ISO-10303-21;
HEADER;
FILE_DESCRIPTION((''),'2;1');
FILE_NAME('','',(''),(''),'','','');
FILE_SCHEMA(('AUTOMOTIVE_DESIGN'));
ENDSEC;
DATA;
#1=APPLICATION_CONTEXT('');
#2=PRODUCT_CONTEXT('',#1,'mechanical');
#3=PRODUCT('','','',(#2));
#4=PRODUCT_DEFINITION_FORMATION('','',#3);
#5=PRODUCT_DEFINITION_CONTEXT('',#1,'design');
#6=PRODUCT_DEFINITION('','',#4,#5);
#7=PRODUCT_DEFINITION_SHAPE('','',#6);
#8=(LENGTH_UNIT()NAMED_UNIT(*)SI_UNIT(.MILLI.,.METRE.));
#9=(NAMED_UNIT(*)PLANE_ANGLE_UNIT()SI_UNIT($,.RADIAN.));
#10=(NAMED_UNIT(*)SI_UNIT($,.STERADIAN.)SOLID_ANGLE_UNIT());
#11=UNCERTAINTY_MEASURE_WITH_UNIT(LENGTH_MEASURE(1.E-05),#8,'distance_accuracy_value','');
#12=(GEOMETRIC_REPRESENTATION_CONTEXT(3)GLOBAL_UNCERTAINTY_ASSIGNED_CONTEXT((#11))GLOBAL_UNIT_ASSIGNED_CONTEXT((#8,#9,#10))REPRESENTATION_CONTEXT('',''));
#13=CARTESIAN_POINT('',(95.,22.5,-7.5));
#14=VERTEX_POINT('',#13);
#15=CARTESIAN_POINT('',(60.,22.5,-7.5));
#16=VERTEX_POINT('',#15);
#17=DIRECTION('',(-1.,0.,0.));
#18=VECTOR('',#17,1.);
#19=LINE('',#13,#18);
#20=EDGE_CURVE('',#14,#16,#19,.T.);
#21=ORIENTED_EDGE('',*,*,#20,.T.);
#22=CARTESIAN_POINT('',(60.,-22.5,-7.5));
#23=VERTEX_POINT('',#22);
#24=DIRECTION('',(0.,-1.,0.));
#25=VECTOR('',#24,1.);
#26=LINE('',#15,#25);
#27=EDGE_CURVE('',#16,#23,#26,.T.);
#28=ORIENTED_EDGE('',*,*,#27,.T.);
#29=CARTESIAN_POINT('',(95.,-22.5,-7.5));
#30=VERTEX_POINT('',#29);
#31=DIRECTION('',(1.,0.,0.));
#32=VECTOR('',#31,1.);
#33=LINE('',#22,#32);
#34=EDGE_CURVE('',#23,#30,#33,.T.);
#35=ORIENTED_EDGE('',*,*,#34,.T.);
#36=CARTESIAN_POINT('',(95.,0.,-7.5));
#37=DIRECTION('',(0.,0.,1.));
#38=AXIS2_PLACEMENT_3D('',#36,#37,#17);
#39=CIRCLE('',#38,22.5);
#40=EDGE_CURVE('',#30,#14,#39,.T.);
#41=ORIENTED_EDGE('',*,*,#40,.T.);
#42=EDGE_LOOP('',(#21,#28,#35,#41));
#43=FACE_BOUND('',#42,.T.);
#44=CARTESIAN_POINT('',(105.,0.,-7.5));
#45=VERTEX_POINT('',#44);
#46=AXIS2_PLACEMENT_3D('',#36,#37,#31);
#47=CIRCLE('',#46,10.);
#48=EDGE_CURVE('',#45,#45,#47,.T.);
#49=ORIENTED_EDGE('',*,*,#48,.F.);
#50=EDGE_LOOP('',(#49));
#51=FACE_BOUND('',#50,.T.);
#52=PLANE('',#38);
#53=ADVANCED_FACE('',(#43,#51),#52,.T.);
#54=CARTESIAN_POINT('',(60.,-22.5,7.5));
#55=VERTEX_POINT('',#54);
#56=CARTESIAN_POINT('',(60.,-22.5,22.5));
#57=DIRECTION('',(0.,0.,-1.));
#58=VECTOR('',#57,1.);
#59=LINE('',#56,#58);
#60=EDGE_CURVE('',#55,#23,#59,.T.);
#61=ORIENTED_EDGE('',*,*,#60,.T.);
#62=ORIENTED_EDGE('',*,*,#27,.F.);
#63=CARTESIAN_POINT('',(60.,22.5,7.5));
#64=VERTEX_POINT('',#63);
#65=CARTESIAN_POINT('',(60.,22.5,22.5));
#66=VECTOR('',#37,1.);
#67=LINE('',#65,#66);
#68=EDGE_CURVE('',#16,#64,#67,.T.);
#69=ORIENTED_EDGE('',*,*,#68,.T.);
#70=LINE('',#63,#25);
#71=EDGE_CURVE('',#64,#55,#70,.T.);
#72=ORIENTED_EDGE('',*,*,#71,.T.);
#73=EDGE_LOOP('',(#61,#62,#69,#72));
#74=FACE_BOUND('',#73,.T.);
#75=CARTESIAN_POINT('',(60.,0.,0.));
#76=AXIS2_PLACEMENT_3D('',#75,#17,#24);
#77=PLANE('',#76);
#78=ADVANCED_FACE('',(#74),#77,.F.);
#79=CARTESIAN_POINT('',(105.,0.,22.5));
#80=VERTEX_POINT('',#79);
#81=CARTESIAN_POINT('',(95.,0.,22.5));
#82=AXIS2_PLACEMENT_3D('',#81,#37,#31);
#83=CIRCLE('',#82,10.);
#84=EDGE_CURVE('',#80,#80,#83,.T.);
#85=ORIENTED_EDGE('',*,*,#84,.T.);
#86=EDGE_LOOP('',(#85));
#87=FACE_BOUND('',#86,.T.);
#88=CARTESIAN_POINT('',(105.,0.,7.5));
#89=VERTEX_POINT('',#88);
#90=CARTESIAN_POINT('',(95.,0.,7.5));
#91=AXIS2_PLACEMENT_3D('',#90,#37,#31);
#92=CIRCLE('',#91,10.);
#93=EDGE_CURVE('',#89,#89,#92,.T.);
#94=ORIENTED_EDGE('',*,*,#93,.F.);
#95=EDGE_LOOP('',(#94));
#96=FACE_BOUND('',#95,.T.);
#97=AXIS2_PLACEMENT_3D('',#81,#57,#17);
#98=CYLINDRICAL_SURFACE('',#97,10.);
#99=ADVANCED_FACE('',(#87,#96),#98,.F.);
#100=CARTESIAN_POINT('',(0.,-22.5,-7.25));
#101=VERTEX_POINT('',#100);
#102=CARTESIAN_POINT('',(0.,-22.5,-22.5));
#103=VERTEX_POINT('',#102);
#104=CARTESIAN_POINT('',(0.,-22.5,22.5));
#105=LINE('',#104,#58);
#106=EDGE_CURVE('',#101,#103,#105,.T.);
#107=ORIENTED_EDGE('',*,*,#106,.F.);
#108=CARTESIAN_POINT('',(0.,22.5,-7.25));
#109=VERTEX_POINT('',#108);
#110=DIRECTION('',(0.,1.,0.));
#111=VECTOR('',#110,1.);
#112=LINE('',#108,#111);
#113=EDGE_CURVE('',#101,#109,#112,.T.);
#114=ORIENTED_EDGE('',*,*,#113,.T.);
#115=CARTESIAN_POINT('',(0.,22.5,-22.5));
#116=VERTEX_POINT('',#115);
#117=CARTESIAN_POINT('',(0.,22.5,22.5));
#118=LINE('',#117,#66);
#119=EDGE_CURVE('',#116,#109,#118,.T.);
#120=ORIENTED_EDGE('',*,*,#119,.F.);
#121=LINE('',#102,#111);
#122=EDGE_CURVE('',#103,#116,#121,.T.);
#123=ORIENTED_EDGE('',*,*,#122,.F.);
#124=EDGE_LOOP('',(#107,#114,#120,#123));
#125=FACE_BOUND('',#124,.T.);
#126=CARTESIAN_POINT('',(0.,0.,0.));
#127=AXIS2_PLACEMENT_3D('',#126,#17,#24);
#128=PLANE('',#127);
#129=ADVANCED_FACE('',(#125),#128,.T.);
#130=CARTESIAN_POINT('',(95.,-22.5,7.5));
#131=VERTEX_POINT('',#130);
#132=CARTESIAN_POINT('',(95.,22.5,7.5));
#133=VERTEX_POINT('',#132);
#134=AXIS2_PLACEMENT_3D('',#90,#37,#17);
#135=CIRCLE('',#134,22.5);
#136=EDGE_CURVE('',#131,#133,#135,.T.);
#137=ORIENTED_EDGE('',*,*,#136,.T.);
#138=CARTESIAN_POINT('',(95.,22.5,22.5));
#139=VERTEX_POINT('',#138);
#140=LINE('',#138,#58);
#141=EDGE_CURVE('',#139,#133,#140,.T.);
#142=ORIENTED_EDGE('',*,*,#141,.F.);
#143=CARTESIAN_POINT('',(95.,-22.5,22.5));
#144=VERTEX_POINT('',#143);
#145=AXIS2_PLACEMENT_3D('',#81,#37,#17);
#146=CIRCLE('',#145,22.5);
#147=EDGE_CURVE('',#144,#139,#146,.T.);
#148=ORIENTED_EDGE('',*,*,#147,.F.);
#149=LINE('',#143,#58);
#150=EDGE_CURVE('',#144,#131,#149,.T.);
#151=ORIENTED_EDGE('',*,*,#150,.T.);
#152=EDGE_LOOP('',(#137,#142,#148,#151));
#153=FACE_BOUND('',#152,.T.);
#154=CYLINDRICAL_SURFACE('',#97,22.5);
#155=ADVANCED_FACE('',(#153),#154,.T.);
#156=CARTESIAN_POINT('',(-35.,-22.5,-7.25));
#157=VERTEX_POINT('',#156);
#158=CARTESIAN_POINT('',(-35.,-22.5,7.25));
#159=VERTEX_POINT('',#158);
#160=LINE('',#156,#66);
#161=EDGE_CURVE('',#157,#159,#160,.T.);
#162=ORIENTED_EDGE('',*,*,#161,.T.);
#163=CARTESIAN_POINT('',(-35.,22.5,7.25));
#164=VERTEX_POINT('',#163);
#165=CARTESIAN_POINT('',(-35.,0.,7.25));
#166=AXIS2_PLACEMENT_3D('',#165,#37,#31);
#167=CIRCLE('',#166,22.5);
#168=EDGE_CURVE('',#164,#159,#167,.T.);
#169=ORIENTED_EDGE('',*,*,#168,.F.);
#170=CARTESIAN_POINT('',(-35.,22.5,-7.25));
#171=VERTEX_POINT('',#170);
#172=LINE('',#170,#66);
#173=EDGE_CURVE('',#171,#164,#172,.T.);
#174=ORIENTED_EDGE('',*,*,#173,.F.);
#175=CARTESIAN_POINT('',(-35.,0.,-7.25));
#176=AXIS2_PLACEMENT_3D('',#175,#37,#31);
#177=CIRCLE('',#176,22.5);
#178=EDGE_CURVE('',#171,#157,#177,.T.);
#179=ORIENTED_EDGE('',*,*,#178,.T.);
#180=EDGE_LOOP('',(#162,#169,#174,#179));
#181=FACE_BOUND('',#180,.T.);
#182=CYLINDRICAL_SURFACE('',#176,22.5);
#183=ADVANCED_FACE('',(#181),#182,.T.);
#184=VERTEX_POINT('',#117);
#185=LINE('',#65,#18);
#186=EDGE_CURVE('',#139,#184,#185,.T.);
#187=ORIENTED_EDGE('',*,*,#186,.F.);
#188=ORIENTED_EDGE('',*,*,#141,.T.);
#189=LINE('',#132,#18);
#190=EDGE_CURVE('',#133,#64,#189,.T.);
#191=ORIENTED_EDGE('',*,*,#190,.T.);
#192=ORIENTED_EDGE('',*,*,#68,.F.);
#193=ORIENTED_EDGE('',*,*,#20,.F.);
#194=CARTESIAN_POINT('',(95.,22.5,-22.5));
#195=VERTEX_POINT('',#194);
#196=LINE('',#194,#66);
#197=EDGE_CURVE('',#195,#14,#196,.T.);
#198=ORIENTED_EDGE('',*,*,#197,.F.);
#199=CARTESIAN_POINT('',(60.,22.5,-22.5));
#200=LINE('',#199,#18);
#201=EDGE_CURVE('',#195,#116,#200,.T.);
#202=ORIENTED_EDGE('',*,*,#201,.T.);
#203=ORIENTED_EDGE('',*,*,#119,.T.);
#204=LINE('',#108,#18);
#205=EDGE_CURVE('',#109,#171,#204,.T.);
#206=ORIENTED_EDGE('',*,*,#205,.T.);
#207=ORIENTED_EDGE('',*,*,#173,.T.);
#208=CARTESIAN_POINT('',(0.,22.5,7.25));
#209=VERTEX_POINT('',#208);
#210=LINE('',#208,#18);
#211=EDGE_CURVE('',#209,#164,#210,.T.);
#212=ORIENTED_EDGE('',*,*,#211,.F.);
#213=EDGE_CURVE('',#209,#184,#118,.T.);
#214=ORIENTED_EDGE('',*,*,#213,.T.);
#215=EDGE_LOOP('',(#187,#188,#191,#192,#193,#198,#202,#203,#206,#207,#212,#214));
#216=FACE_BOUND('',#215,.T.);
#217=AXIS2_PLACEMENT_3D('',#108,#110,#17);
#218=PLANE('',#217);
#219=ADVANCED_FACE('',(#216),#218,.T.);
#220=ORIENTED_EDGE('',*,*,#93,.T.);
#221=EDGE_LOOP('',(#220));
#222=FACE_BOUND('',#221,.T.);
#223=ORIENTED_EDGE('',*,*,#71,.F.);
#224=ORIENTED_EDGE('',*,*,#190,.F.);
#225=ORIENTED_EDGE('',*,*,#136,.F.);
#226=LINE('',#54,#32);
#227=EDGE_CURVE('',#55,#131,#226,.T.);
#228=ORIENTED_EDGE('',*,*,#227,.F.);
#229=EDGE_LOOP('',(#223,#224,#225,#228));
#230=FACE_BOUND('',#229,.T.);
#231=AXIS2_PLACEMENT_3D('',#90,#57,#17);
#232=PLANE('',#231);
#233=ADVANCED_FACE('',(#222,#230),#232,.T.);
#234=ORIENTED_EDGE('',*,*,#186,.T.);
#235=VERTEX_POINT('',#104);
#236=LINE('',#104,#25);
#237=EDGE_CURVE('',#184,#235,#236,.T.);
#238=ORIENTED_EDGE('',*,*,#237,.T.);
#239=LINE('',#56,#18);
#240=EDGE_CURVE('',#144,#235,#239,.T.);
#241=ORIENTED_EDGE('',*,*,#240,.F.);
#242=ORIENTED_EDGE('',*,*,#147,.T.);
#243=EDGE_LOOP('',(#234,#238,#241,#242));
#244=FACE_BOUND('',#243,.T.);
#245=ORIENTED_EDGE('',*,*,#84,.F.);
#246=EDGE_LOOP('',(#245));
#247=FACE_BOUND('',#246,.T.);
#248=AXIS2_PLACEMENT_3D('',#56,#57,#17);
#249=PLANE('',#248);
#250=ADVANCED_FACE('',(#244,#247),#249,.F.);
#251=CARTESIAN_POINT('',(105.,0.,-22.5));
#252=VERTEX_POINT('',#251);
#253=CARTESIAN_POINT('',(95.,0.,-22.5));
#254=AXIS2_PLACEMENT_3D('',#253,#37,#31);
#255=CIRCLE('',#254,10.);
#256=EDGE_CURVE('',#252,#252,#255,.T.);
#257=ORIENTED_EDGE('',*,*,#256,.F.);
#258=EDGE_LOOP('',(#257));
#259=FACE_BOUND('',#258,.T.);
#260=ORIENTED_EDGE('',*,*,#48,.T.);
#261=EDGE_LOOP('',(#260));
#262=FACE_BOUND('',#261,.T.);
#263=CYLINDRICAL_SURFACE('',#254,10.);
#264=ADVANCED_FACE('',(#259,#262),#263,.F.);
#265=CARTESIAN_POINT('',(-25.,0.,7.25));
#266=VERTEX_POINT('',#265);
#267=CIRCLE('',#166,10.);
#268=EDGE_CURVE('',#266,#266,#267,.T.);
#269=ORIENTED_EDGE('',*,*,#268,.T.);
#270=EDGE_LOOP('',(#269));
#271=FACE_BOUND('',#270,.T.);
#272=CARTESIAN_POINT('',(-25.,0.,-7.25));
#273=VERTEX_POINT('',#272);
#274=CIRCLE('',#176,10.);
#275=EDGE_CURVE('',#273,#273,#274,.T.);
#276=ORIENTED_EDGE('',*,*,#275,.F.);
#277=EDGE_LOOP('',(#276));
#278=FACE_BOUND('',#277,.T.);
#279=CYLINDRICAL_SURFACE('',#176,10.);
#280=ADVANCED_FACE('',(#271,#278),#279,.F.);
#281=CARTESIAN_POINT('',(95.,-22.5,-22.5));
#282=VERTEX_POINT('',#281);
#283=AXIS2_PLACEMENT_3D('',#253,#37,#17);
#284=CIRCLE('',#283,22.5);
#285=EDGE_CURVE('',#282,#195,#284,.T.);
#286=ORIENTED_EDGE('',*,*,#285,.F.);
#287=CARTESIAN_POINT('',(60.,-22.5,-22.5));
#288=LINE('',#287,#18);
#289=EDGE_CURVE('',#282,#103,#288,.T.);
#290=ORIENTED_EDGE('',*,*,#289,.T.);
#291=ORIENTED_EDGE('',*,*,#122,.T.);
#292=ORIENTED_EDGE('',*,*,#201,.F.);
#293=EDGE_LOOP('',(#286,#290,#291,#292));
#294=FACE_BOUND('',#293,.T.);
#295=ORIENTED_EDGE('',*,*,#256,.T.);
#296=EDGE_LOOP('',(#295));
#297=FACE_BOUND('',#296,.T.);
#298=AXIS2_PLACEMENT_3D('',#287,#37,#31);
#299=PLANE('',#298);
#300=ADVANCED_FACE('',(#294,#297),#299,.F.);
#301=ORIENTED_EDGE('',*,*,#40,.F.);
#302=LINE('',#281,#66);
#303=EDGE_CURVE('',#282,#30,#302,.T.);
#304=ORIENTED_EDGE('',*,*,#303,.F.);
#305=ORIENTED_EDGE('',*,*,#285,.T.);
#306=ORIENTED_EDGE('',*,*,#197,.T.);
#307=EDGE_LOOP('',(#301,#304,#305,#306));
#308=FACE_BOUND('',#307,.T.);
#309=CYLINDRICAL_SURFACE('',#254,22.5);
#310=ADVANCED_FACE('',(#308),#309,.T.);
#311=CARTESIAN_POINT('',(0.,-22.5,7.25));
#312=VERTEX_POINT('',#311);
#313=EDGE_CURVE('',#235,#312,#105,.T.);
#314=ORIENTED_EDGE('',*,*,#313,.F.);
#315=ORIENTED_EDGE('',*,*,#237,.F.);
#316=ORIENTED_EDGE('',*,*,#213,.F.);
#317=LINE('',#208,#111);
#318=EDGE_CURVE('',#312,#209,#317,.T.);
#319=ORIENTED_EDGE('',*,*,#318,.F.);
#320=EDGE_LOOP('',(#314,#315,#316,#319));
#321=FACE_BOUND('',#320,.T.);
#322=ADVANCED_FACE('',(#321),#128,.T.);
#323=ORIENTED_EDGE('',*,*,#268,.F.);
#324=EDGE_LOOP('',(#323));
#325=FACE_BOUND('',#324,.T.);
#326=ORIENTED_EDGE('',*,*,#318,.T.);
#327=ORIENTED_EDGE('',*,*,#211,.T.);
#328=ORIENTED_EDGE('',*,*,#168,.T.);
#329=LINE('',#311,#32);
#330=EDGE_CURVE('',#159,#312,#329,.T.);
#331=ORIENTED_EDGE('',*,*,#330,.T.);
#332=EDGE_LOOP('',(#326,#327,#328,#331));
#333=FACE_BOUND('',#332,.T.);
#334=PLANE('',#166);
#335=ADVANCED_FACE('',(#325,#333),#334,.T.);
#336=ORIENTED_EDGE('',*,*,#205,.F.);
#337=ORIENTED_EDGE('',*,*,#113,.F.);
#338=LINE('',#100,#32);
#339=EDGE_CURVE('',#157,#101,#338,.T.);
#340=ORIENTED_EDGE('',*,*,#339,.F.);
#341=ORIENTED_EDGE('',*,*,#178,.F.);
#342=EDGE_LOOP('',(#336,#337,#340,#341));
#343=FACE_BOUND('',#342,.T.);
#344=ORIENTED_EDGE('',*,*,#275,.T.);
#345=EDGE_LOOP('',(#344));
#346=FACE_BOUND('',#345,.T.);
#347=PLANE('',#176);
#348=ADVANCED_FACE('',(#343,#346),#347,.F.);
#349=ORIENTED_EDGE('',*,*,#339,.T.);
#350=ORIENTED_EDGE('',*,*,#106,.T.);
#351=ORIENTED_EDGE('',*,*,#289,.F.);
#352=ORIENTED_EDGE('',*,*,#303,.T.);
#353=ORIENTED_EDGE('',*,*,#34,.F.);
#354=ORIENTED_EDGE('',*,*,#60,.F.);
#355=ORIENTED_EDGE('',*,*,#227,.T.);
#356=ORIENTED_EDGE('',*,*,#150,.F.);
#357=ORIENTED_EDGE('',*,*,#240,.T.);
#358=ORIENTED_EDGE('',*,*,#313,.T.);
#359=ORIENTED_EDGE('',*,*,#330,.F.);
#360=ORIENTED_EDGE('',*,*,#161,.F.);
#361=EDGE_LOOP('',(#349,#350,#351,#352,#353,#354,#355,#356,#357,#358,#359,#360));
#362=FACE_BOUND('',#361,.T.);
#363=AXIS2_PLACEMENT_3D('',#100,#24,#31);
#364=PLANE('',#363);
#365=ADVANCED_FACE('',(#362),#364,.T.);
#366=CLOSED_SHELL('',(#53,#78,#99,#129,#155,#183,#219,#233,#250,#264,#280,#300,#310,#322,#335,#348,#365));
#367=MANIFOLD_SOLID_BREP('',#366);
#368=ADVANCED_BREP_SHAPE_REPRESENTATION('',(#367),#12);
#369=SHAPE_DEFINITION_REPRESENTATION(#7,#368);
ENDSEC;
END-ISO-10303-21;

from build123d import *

# Parameters (mm, degrees)
BOSS_EXTRUDE1_DEPTH      = 7.25
BOSS_EXTRUDE1_DEPTH_BACK = 7.25
SKETCH1_R                = 10
SKETCH2_W                = 45
SKETCH2_H                = 45
BOSS_EXTRUDE2_DEPTH      = 60
SKETCH3_R                = 10
BOSS_EXTRUDE3_DEPTH      = 15


with BuildPart() as part:
    # Sketch1 → Boss-Extrude1 (new, two sides: drawn at the far end of the back side and taken through both)
    with BuildSketch(Plane.XY.offset(-BOSS_EXTRUDE1_DEPTH_BACK)):
        with BuildLine():
            Line((0, 22.5), (0, -22.5))
            Line((0, -22.5), (-35, -22.5))
            ThreePointArc((-35, -22.5), (-57.5, 0), (-35, 22.5))
            Line((-35, 22.5), (0, 22.5))
        make_face()
        with Locations((-35, 0)):
            Circle(SKETCH1_R, mode=Mode.SUBTRACT)
    extrude(amount=BOSS_EXTRUDE1_DEPTH + BOSS_EXTRUDE1_DEPTH_BACK)

    # Sketch2 → Boss-Extrude2 (add)
    with BuildSketch(Plane(origin=(0, 0, 0), x_dir=(0, 0, -1), z_dir=(1, 0, 0))):
        Rectangle(SKETCH2_W, SKETCH2_H)
    extrude(amount=BOSS_EXTRUDE2_DEPTH)

    # Sketch3 → Boss-Extrude3 (add)
    with BuildSketch(Plane.XY.offset(7.5)):
        with BuildLine():
            Line((60, 22.5), (60, -22.5))
            Line((60, -22.5), (95, -22.5))
            ThreePointArc((95, -22.5), (117.5, 0), (95, 22.5))
            Line((95, 22.5), (60, 22.5))
        make_face()
        with Locations((95, 0)):
            Circle(SKETCH3_R, mode=Mode.SUBTRACT)
    boss_extrude3 = extrude(amount=BOSS_EXTRUDE3_DEPTH)

    # Mirror1: Boss-Extrude3 across plane
    add(boss_extrude3.mirror(Plane.XY))


solid = part.part
